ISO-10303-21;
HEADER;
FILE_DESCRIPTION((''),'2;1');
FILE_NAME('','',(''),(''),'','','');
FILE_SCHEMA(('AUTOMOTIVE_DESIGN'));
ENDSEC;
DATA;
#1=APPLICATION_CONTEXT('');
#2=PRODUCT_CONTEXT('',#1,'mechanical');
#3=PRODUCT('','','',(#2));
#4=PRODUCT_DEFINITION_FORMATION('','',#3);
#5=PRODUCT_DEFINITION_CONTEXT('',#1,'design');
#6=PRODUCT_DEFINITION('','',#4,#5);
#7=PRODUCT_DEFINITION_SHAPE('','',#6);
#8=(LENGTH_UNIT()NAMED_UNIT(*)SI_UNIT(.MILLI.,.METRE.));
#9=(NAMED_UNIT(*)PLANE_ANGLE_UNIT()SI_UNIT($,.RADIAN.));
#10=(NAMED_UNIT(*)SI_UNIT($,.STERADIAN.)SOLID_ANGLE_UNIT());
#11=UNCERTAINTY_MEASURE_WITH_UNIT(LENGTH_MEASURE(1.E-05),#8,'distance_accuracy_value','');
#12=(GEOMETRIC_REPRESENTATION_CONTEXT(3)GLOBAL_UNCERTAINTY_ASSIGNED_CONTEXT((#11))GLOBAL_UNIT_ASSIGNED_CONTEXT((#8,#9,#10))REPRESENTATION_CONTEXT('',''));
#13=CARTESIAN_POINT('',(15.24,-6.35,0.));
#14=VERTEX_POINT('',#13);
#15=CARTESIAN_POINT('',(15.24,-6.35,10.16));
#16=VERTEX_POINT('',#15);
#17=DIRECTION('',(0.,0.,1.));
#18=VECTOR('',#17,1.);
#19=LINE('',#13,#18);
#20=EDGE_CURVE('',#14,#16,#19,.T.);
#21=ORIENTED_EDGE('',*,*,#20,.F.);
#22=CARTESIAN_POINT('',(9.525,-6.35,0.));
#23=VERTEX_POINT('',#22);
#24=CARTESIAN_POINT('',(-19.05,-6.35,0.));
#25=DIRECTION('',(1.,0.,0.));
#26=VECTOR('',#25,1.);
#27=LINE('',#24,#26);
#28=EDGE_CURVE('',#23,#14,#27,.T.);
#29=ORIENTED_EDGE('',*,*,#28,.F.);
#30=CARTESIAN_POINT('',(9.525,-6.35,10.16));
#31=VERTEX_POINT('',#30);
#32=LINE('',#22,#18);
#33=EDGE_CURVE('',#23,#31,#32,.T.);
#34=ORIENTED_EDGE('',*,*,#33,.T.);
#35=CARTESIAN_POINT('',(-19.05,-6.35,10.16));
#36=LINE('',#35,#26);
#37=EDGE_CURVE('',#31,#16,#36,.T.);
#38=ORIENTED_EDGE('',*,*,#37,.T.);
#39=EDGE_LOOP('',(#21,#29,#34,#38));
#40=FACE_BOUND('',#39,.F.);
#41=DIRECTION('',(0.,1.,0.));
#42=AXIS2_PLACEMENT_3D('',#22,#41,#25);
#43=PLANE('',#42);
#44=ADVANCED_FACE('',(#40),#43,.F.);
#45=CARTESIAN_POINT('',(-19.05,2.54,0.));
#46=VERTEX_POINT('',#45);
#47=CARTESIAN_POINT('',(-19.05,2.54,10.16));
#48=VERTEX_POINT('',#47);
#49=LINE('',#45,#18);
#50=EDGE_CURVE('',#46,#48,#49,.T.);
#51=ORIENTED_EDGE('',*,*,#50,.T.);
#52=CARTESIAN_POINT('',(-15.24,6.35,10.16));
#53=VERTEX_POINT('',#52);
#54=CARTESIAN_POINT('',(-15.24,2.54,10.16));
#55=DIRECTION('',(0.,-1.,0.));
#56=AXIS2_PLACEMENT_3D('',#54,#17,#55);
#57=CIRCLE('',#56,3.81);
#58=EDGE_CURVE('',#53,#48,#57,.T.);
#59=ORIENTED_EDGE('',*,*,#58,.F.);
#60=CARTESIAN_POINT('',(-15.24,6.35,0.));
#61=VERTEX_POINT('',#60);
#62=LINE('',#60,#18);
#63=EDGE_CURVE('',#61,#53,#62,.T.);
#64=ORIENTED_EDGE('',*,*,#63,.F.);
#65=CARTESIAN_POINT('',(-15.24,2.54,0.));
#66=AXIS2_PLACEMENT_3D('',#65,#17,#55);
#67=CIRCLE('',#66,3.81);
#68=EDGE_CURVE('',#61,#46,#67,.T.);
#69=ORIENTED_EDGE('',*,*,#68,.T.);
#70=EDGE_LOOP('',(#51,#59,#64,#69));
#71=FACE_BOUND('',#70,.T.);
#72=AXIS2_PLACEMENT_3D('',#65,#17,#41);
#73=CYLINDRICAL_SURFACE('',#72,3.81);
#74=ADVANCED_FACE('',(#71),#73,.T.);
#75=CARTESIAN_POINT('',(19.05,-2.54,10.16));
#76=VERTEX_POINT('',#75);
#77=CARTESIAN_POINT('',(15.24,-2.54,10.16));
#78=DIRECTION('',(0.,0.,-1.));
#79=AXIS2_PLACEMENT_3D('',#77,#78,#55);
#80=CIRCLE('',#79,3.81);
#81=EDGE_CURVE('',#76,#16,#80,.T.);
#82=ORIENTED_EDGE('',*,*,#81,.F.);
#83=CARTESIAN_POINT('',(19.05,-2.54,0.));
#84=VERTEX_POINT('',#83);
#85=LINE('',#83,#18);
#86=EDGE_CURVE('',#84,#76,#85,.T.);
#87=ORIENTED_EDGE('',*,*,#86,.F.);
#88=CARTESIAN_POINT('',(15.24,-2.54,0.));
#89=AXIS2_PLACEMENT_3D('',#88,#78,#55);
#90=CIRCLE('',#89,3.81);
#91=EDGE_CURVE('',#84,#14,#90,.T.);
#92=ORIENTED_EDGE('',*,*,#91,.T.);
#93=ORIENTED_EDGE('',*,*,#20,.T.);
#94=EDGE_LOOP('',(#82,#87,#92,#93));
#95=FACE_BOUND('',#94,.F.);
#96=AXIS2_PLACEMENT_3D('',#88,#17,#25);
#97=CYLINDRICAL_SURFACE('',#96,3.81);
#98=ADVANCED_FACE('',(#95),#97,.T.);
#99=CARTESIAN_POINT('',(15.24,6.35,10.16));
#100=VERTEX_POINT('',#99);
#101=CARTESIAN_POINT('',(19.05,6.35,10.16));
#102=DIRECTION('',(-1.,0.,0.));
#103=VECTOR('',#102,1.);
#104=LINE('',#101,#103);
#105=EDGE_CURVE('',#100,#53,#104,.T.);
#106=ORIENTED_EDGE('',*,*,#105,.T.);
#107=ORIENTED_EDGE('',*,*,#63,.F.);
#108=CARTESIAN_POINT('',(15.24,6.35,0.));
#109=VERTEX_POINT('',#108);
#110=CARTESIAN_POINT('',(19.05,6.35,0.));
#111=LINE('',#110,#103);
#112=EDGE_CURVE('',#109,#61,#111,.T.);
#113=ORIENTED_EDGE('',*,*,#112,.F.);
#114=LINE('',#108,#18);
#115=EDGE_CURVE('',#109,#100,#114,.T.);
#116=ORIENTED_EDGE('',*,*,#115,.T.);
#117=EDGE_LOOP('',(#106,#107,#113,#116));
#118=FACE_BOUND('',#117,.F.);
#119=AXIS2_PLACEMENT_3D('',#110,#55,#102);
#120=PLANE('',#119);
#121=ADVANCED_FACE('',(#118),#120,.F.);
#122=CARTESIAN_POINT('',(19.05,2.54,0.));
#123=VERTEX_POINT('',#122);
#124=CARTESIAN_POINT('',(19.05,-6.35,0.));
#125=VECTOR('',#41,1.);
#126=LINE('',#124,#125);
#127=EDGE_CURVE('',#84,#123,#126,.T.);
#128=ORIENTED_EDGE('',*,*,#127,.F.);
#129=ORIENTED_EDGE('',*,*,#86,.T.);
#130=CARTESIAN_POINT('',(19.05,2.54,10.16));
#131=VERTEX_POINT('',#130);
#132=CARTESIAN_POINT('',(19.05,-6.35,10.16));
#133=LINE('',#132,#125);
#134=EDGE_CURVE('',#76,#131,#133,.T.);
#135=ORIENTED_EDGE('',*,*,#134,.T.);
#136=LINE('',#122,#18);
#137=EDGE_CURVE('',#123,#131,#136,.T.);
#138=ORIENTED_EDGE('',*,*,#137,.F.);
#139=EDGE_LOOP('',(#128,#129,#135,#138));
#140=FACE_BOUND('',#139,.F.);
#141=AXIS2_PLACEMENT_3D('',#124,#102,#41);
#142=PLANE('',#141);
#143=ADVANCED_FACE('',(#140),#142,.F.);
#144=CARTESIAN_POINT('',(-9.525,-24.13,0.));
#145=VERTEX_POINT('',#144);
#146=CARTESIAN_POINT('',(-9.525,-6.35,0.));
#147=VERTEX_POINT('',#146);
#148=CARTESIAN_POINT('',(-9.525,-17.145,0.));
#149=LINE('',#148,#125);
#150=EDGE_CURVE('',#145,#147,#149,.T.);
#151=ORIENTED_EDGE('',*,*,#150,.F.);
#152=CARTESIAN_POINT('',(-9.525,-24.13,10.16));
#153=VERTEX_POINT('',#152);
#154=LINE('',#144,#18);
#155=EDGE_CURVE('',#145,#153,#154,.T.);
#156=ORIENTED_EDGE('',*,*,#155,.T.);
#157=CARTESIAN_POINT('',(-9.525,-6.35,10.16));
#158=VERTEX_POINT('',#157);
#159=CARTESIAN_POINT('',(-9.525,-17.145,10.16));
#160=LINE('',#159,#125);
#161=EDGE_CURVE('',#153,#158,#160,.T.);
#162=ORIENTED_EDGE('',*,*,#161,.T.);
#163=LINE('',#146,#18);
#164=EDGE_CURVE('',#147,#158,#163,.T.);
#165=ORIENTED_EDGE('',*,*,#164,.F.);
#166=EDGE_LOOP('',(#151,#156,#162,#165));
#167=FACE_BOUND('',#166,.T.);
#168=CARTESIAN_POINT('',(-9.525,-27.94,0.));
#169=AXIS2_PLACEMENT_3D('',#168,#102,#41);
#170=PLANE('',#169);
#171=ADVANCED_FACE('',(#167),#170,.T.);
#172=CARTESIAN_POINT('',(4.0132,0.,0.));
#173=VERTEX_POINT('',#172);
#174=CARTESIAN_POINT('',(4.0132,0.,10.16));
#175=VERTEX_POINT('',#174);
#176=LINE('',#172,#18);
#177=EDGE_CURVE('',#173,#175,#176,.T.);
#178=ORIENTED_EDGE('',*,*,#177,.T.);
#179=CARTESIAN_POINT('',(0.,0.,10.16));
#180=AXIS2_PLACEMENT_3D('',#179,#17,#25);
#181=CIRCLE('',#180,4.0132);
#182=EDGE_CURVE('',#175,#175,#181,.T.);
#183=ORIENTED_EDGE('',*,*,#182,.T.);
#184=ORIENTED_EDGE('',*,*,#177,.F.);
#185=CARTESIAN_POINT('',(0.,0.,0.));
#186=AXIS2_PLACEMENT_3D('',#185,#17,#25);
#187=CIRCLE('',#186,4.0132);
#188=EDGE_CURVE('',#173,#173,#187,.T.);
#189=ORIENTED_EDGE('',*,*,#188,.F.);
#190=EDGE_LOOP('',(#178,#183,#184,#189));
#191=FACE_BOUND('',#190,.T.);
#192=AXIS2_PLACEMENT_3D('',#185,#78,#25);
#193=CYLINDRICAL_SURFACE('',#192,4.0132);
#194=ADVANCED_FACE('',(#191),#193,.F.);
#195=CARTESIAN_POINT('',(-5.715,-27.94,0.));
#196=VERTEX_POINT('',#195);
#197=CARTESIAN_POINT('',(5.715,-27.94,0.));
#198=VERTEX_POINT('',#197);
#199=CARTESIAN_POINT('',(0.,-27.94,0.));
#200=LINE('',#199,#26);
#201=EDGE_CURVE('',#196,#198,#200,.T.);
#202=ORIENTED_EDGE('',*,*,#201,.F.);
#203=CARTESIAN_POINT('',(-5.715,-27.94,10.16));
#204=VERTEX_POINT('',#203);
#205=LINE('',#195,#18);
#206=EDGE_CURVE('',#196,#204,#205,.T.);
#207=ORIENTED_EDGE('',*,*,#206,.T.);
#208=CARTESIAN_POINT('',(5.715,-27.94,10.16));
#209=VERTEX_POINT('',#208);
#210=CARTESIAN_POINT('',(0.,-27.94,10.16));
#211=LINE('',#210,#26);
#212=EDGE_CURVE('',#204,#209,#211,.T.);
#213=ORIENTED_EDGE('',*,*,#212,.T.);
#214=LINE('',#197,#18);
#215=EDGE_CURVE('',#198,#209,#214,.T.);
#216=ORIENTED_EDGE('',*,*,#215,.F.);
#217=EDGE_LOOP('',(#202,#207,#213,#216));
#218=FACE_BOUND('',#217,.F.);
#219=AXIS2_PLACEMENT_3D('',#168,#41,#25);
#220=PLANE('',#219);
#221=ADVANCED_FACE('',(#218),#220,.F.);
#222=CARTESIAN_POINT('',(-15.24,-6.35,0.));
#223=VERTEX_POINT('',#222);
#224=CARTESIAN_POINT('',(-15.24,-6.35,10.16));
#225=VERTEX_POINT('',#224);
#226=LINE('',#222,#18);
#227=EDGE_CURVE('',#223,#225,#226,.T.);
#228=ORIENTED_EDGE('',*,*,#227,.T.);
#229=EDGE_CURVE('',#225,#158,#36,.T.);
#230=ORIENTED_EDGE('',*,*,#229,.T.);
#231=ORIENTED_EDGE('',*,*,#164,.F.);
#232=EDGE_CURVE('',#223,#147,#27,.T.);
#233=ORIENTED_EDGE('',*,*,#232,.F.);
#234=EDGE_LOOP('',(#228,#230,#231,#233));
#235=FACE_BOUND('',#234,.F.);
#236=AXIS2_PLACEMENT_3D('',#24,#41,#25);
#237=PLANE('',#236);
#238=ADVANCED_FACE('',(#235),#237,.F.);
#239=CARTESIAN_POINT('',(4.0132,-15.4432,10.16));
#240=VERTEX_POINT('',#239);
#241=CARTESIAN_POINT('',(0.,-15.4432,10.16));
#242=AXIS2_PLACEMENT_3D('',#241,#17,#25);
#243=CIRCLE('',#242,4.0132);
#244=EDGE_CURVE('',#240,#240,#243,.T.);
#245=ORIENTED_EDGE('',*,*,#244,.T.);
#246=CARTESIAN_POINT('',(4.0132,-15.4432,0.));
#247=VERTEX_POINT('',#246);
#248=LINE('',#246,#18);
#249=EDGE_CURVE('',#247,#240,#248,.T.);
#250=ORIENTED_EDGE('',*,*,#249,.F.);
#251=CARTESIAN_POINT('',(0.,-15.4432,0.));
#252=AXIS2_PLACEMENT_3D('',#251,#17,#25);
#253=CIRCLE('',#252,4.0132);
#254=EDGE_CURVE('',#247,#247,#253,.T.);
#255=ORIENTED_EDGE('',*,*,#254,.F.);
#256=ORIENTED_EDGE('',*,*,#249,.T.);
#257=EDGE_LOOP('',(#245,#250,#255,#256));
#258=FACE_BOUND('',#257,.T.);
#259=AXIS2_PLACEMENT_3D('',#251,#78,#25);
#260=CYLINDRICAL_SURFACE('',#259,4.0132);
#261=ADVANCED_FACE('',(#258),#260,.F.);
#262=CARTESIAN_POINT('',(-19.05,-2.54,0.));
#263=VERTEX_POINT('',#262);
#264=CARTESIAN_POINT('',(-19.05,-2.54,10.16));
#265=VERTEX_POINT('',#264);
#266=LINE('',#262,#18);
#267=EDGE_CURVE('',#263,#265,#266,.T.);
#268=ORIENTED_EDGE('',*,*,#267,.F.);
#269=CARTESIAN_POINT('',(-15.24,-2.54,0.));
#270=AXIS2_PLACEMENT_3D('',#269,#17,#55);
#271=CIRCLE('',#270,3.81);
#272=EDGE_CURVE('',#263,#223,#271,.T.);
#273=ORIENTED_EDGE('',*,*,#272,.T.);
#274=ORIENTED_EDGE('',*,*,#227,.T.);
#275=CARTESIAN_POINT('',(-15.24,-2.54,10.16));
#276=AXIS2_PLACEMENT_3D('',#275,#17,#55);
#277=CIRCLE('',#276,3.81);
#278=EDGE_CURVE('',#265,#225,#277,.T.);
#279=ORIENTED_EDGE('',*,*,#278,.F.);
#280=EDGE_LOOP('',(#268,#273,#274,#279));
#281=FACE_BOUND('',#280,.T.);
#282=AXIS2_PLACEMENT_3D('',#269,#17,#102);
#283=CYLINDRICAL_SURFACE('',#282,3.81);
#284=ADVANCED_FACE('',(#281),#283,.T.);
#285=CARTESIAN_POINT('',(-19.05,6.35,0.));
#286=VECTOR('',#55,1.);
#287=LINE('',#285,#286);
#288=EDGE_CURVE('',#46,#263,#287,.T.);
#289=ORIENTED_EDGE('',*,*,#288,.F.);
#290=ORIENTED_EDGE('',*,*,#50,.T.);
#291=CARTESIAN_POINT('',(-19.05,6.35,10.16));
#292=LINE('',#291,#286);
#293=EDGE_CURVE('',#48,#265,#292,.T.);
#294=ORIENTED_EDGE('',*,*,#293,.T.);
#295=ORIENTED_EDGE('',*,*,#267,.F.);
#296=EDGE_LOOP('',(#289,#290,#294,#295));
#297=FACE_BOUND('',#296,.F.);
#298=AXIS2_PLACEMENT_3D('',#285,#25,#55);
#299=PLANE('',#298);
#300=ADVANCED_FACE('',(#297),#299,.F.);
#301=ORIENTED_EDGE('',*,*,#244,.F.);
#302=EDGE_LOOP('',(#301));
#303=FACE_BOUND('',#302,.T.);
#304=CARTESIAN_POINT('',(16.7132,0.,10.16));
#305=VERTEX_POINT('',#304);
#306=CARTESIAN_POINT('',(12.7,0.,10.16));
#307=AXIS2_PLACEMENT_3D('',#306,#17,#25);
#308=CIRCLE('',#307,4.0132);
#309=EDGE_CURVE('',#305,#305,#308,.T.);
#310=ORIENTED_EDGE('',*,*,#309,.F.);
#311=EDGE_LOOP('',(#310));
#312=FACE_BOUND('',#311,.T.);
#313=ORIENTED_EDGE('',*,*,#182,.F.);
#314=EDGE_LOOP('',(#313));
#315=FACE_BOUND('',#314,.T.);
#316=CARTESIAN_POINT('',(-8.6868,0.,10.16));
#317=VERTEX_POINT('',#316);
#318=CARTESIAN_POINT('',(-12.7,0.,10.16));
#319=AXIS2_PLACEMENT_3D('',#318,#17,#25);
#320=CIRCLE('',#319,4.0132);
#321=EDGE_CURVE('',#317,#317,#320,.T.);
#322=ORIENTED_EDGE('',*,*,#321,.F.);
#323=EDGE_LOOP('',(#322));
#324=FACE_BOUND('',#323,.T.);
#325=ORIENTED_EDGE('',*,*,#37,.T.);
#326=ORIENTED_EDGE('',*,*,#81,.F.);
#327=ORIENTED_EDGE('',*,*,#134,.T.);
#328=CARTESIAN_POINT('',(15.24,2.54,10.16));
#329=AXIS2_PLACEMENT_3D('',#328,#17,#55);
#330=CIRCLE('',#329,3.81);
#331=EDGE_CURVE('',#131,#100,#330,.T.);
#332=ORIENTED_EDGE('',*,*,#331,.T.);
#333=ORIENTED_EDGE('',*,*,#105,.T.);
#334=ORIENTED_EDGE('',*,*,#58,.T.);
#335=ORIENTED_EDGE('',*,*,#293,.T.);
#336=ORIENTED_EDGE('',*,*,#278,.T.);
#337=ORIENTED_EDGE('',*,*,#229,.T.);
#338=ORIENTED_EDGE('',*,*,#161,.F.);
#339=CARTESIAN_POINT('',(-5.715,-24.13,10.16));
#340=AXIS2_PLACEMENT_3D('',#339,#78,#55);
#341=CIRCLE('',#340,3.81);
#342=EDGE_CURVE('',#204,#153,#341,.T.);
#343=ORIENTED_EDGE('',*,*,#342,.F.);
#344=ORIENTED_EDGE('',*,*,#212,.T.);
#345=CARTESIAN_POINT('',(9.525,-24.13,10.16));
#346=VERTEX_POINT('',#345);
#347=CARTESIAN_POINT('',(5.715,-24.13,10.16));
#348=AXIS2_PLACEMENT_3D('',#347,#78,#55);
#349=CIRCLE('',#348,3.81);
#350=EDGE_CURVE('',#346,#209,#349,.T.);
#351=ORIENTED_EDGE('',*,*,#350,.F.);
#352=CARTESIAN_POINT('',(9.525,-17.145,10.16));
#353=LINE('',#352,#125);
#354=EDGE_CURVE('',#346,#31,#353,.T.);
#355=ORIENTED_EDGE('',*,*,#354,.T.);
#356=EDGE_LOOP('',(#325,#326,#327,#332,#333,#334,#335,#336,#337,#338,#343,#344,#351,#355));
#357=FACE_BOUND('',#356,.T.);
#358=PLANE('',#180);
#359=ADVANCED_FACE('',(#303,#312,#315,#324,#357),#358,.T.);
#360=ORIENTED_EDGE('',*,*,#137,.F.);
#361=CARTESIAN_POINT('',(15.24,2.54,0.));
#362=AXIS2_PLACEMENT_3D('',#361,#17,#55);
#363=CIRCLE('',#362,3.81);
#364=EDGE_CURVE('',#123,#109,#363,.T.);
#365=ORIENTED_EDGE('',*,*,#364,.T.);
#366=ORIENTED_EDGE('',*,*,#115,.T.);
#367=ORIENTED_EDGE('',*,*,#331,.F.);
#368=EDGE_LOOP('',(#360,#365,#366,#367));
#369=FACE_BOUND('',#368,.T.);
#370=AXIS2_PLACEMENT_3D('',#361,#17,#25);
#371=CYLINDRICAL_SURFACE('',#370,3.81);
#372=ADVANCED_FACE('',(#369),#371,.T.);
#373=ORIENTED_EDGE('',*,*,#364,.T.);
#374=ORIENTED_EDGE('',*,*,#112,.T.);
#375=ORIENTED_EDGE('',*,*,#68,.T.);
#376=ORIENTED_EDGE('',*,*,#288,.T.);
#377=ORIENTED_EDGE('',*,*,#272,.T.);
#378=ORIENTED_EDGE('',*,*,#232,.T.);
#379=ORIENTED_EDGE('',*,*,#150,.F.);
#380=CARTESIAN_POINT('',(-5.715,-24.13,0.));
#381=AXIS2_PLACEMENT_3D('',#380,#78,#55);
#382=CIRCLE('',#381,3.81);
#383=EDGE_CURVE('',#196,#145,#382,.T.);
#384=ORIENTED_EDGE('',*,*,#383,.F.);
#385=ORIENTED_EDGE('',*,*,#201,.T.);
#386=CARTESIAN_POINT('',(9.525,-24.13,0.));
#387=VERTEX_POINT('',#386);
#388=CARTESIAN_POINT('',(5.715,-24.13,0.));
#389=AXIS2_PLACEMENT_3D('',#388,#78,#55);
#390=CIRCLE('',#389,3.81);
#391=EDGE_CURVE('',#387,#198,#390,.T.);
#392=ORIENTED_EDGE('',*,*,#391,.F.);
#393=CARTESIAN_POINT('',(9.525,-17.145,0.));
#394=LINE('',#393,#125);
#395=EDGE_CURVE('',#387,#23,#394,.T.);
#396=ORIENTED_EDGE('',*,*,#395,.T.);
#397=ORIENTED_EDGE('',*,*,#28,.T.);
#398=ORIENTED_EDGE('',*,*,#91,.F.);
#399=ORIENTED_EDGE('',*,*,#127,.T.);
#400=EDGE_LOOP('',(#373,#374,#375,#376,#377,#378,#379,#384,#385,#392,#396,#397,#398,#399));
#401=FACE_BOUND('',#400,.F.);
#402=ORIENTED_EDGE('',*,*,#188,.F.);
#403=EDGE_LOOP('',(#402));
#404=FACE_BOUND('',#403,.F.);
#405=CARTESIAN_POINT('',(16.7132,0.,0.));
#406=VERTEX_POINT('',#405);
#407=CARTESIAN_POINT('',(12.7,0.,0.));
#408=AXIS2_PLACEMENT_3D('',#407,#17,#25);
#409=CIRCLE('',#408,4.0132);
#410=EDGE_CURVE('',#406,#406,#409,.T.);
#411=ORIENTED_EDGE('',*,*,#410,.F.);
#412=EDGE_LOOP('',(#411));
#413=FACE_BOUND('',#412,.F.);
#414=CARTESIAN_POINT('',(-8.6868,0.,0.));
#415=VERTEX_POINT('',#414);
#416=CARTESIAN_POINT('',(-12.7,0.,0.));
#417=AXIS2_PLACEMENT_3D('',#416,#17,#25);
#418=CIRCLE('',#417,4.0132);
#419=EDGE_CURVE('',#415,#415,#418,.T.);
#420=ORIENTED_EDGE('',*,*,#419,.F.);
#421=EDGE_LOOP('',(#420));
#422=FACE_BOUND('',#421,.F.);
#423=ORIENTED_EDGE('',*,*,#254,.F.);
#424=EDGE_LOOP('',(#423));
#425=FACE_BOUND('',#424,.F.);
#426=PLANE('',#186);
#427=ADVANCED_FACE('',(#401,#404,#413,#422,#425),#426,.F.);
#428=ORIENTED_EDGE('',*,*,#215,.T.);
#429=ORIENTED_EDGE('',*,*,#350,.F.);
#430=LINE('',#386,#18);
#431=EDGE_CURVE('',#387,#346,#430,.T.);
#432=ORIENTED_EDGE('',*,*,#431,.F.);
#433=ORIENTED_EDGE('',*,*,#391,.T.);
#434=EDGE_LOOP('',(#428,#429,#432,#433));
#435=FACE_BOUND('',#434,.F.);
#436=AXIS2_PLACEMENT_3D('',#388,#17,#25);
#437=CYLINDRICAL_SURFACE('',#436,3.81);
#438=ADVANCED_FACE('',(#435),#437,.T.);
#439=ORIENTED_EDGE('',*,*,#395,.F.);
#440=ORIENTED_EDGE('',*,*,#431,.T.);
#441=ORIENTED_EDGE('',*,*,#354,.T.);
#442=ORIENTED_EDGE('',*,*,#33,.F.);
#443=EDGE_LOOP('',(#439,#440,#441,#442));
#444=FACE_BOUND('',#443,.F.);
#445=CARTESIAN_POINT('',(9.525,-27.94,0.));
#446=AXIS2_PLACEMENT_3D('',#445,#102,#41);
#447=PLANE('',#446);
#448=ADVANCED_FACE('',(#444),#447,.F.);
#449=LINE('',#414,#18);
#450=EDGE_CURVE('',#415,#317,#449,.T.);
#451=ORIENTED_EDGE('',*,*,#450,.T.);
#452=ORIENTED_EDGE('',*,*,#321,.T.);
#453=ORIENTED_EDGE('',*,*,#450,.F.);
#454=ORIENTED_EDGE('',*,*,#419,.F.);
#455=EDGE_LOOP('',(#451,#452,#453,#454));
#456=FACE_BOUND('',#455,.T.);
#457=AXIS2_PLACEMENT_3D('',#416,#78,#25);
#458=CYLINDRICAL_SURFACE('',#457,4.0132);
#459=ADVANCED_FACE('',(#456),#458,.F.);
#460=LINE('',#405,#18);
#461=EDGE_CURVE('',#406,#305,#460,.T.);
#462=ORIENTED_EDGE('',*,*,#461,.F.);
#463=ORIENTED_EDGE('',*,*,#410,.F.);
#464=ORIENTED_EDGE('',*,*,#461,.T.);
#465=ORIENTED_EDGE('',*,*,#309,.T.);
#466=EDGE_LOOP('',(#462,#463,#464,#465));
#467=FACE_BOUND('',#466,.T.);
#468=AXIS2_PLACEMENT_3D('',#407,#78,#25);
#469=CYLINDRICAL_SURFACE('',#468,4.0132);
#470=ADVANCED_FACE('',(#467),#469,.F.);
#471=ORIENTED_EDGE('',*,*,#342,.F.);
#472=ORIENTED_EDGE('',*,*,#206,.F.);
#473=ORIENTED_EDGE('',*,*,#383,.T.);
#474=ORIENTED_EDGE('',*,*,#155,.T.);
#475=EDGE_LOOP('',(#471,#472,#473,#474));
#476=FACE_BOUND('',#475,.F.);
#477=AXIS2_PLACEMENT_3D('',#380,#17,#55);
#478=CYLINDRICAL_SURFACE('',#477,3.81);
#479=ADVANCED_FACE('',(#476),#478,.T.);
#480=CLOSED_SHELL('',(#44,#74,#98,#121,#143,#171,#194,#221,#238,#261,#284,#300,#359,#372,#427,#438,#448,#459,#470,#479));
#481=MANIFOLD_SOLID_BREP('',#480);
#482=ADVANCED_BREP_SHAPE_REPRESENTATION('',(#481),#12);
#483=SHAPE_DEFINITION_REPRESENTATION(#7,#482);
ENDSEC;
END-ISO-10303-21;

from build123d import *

# Parameters (mm, degrees)
F0_R     = 4.0132
F0_W     = 19.05
F0_H     = 21.59
F1_DEPTH = 10.16
F2_R     = 3.81


with BuildPart() as f1:
    # F0 (on Top) → F1 (new body)
    with BuildSketch(Plane.XY):
        Polygon((9.525, -6.35), (19.05, -6.35), (19.05, 6.35), (-19.05, 6.35), (-19.05, -6.35), (-9.525, -6.35), align=None)
        with Locations((-12.7, 0)):
            Circle(F0_R, mode=Mode.SUBTRACT)
        Circle(F0_R, mode=Mode.SUBTRACT)
        with Locations((12.7, 0)):
            Circle(F0_R, mode=Mode.SUBTRACT)
        with Locations((0, -17.145)):
            Rectangle(F0_W, F0_H)
        with Locations((0, -15.4432)):
            Circle(F0_R, mode=Mode.SUBTRACT)
    extrude(amount=F1_DEPTH)

    # F2
    f2_edges = [f1.edges().sort_by_distance(p)[0] for p in [
        (-9.525, -27.94, 5.08),
        (9.525, -27.94, 5.08),
        (19.05, -6.35, 5.08),
        (19.05, 6.35, 5.08),
        (-19.05, -6.35, 5.08),
        (-19.05, 6.35, 5.08),
    ]]
    fillet(f2_edges, radius=F2_R)


solid = f1.part
